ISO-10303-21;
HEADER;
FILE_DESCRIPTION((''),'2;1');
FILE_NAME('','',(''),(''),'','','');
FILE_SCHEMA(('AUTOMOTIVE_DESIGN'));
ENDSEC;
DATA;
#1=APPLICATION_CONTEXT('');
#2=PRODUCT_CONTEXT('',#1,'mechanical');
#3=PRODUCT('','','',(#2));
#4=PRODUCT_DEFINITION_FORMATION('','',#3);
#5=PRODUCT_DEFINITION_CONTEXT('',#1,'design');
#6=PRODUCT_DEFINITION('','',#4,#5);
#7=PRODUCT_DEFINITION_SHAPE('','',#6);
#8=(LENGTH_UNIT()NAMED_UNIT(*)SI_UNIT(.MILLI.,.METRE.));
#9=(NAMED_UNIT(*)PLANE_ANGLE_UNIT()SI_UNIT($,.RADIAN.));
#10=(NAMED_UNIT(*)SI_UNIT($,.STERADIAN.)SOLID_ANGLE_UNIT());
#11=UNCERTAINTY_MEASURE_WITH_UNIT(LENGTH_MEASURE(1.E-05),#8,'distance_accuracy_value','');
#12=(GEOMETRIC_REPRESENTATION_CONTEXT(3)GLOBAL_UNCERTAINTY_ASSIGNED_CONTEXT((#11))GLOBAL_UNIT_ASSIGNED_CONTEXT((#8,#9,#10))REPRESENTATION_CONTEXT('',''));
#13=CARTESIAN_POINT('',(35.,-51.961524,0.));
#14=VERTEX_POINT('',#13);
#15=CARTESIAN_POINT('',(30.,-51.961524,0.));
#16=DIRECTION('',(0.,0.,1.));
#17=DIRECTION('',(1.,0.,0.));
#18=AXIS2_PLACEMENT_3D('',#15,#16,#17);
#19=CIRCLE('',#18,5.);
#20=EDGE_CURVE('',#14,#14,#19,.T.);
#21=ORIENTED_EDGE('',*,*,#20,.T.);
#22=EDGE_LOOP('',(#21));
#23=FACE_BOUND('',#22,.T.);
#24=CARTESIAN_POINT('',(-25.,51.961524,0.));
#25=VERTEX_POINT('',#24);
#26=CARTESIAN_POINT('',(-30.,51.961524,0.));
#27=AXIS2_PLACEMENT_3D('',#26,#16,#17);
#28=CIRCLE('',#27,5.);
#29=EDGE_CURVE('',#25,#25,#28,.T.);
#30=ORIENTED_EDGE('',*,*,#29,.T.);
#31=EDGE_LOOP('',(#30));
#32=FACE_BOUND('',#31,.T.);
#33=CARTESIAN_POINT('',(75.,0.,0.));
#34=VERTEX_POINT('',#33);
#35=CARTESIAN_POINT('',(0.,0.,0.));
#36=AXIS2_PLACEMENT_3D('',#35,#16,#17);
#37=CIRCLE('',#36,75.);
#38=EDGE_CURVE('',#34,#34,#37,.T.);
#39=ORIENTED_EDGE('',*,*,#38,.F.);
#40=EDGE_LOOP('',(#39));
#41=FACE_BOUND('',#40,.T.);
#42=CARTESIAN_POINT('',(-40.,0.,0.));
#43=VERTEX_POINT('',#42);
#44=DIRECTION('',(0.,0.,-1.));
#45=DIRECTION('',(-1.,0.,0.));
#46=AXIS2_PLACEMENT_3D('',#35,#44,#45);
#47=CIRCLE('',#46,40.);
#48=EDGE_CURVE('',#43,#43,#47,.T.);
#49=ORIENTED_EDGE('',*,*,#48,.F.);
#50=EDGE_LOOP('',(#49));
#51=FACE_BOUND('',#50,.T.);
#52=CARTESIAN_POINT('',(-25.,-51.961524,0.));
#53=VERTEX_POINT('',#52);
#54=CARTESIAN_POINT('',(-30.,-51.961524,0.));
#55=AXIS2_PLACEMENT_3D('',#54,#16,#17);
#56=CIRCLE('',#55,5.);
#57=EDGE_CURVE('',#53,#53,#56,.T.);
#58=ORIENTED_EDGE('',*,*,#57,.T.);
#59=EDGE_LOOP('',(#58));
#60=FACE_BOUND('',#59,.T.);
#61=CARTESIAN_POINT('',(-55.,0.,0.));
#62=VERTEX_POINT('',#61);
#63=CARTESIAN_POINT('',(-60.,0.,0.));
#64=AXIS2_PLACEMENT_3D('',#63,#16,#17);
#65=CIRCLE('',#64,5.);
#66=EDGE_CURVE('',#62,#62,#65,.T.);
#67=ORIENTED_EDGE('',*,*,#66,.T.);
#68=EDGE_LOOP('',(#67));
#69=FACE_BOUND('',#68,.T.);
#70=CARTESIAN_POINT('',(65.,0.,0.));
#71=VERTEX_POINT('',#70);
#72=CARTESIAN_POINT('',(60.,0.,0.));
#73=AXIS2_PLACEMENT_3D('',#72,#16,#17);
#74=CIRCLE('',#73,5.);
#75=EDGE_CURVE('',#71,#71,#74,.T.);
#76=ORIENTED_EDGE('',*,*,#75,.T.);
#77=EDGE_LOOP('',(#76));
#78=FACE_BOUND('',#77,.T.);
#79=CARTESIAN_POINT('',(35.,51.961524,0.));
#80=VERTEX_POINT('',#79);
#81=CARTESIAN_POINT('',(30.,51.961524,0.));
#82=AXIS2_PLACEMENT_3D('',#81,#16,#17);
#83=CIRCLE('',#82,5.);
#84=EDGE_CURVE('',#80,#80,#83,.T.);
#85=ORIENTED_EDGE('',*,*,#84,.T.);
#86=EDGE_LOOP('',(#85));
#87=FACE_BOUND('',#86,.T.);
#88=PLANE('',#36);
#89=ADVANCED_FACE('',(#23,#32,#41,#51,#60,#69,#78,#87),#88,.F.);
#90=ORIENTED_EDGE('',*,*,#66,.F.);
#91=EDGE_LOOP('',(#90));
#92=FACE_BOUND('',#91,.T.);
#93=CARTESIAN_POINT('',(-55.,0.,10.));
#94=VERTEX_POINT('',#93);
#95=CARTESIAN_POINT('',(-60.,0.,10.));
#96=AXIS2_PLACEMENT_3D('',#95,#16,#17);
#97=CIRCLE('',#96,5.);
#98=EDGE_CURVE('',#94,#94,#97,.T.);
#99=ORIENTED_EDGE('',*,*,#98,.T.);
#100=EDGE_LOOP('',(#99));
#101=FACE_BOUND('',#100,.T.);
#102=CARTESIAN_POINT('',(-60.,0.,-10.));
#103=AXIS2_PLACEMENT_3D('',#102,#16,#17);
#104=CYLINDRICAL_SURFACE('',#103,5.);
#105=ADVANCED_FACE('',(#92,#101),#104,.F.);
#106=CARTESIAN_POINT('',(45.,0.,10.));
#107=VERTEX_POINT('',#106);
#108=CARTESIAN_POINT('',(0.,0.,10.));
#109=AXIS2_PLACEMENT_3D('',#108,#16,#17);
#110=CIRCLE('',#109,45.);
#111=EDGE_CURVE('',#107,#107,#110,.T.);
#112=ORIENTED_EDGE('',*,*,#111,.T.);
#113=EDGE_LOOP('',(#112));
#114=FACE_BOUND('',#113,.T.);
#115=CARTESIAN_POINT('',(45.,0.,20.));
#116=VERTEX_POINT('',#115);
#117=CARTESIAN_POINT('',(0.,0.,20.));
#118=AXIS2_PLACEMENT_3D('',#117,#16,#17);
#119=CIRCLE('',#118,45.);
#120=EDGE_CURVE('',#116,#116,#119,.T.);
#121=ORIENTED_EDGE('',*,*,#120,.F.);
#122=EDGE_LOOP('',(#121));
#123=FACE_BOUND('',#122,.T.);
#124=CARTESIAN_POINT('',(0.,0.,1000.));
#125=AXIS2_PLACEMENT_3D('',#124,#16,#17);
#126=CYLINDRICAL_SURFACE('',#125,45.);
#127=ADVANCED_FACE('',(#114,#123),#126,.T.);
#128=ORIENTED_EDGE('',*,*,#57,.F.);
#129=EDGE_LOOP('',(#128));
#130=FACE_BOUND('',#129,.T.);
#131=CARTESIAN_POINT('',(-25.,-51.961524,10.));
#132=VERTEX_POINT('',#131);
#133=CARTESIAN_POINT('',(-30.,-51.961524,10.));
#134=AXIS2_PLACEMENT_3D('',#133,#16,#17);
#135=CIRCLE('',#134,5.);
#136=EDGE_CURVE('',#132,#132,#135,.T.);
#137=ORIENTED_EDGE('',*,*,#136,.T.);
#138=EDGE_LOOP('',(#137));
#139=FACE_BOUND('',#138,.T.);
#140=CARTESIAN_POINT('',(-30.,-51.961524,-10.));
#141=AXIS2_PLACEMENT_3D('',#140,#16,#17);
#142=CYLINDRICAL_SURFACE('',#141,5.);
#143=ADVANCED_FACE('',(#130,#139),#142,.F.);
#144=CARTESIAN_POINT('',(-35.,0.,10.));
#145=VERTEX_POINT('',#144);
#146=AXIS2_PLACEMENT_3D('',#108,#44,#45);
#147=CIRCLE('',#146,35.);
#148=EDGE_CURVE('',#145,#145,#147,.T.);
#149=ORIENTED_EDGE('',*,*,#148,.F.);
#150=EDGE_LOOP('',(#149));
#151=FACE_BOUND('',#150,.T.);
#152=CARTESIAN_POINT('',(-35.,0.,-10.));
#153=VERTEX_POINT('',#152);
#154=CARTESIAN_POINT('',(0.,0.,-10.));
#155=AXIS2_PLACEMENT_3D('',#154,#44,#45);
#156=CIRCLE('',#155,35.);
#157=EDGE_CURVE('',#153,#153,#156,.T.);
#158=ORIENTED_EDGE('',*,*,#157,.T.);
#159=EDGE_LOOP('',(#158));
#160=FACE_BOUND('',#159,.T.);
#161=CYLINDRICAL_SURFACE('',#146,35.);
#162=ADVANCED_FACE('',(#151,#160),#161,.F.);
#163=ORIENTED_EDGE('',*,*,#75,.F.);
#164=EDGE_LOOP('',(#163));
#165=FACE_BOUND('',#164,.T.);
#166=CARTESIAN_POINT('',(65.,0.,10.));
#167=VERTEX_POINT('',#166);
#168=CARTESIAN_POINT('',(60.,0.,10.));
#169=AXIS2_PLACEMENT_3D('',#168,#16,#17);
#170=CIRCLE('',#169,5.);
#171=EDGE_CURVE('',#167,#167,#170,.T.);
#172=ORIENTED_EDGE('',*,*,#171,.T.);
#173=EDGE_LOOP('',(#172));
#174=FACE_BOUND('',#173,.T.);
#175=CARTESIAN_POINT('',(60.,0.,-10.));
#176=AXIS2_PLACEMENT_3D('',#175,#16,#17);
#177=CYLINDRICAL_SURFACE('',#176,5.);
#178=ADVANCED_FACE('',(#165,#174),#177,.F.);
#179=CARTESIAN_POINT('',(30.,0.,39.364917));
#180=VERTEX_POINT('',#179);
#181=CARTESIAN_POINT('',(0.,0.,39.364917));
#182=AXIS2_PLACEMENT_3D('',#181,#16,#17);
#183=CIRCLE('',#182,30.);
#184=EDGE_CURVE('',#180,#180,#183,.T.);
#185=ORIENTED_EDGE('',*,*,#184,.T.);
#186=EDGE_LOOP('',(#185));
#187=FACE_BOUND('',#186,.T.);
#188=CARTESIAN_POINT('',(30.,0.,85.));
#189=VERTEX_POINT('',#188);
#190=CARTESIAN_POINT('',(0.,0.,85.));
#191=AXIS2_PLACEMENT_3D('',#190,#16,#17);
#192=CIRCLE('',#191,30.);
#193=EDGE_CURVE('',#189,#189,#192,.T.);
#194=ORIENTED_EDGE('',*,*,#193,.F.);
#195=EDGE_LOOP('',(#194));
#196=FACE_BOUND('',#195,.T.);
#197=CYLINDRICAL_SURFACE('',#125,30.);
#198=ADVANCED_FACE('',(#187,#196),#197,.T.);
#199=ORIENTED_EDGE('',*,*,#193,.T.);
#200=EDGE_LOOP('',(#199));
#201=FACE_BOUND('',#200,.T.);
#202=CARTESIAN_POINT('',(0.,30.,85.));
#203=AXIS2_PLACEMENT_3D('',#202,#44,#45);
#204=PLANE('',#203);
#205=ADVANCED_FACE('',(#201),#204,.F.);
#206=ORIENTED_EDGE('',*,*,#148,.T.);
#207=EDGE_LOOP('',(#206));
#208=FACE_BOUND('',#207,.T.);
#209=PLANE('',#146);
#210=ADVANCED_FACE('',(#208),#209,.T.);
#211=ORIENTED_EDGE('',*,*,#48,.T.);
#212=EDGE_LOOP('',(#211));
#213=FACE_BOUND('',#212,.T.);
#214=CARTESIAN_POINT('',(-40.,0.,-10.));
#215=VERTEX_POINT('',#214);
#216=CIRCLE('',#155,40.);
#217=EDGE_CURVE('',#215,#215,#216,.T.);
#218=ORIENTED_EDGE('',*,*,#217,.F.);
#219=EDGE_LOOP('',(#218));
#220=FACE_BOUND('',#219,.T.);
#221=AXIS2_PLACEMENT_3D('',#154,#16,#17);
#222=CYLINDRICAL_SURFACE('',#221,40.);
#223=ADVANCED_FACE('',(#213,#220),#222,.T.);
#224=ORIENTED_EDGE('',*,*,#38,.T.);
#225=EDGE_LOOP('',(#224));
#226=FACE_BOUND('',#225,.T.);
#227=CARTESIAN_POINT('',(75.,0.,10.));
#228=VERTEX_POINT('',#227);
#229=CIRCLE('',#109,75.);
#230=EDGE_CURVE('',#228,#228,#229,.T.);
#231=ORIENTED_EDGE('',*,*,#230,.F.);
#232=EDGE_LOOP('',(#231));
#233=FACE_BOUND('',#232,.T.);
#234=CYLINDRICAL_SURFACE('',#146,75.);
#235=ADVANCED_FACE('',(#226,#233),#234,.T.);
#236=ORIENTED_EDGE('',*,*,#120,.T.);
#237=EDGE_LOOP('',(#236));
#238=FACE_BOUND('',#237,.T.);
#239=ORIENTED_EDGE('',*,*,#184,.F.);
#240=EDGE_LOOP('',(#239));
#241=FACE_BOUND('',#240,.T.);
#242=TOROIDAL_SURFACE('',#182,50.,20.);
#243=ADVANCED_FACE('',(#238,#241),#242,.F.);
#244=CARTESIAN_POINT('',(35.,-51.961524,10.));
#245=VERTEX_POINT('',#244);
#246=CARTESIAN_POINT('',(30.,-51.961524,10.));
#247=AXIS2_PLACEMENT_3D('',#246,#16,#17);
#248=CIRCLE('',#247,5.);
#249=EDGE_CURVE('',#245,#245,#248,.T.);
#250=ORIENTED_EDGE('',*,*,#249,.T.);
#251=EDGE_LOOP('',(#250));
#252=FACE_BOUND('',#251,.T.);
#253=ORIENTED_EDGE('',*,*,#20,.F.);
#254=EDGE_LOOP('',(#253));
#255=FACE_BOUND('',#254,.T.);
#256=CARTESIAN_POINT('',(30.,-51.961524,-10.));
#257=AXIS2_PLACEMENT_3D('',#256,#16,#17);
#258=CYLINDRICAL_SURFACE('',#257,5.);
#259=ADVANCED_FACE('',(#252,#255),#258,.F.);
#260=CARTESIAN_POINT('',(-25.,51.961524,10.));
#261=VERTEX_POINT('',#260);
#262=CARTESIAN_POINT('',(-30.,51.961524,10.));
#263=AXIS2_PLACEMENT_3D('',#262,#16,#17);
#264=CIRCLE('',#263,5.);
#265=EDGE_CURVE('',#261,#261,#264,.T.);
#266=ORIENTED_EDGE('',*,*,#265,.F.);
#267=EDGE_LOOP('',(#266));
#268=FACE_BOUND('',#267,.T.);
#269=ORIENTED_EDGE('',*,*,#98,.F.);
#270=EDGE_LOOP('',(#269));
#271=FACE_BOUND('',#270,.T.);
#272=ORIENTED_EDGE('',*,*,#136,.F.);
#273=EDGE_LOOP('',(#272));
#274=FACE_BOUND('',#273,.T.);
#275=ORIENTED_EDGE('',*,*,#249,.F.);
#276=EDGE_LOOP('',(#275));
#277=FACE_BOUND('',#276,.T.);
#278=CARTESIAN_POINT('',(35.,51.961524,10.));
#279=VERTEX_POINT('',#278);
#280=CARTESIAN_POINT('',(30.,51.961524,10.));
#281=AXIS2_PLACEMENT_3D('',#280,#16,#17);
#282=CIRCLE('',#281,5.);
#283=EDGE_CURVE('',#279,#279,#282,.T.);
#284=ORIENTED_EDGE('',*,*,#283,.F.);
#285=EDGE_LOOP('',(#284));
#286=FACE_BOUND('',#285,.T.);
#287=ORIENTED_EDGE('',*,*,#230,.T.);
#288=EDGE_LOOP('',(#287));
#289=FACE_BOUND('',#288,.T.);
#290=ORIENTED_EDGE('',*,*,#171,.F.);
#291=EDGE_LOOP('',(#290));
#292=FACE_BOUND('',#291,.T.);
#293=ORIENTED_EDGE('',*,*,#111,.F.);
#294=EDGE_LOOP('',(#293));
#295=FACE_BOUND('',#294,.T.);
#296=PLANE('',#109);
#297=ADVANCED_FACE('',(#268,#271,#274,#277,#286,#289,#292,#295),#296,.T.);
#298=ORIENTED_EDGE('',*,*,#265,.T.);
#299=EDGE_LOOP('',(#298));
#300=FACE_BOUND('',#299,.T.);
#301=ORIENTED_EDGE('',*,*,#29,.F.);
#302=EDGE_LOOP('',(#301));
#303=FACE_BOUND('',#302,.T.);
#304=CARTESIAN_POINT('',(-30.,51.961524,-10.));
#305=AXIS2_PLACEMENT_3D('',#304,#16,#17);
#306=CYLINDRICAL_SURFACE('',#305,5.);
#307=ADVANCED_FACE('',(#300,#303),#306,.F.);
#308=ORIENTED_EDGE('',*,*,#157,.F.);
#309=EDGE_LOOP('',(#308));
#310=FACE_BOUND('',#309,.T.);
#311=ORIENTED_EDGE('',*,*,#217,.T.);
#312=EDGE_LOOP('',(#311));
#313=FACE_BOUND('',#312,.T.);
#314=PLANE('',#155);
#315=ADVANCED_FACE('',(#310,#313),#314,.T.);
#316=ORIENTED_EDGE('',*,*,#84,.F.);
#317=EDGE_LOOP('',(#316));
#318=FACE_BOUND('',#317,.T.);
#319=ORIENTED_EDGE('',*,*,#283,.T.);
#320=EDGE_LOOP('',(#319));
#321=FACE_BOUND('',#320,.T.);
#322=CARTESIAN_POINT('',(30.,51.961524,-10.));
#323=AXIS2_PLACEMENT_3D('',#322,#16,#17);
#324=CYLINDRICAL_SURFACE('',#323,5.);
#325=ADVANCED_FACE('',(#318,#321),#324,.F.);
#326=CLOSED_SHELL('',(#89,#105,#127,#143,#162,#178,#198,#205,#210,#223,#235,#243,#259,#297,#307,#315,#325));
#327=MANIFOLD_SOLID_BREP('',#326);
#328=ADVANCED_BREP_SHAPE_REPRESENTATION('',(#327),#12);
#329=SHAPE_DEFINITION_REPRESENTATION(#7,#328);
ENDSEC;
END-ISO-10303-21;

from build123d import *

# Parameters (mm, degrees)
SKETCH1_R           = 75
BOSS_EXTRUDE1_DEPTH = 10
SKETCH3_R           = 40
BOSS_EXTRUDE2_DEPTH = 10
SKETCH4_R           = 35
CUT_EXTRUDE1_DEPTH  = 20
SKETCH5_R           = 5
CUT_EXTRUDE2_DEPTH  = 20


with BuildPart() as part:
    # Sketch1 → Boss-Extrude1 (new body)
    with BuildSketch(Plane.XY):
        Circle(SKETCH1_R)
    extrude(amount=BOSS_EXTRUDE1_DEPTH)

    # Sketch2 → Revolve1 (revolve)
    with BuildSketch(Plane(origin=(0, 0, 0), x_dir=(0, 0, -1), z_dir=(1, 0, 0)), mode=Mode.PRIVATE) as revolve1_sk:
        with BuildLine():
            Line((-10, 45), (-20, 45))
            ThreePointArc((-20, 45), (-27.117468017, 34.188611699), (-39.364916731, 30))
            Line((-39.364916731, 30), (-85, 30))
            Line((-85, 30), (-85, 0))
            Line((-85, 0), (-10, 0))
            Line((-10, 0), (-10, 45))
        make_face()
    revolve(revolve1_sk.sketch.rotate(Axis((0, 0, 1000), (0, 0, -1)), 90), axis=Axis((0, 0, 1000), (0, 0, -1)))

    # Sketch3 → Boss-Extrude2 (add)
    with BuildSketch(Plane(origin=(0, 0, 0), x_dir=(-1, 0, 0), z_dir=(0, 0, -1))):
        Circle(SKETCH3_R)
    extrude(amount=BOSS_EXTRUDE2_DEPTH)

    # Sketch4 → Cut-Extrude1 (cut)
    with BuildSketch(Plane(origin=(0, 0, -10), x_dir=(-1, 0, 0), z_dir=(0, 0, -1))):
        Circle(SKETCH4_R)
    extrude(amount=-CUT_EXTRUDE1_DEPTH, mode=Mode.SUBTRACT)

    # Sketch5 → Cut-Extrude2 (cut)
    with BuildSketch(Plane.XY.offset(10)):
        with Locations((60, 0)):
            Circle(SKETCH5_R)
        with Locations((30, -51.961524227)):
            Circle(SKETCH5_R)
        with Locations((-30, -51.961524227)):
            Circle(SKETCH5_R)
        with Locations((-60, 0)):
            Circle(SKETCH5_R)
        with Locations((-30, 51.961524227)):
            Circle(SKETCH5_R)
        with Locations((30, 51.961524227)):
            Circle(SKETCH5_R)
    extrude(amount=-CUT_EXTRUDE2_DEPTH, mode=Mode.SUBTRACT)


solid = part.part
